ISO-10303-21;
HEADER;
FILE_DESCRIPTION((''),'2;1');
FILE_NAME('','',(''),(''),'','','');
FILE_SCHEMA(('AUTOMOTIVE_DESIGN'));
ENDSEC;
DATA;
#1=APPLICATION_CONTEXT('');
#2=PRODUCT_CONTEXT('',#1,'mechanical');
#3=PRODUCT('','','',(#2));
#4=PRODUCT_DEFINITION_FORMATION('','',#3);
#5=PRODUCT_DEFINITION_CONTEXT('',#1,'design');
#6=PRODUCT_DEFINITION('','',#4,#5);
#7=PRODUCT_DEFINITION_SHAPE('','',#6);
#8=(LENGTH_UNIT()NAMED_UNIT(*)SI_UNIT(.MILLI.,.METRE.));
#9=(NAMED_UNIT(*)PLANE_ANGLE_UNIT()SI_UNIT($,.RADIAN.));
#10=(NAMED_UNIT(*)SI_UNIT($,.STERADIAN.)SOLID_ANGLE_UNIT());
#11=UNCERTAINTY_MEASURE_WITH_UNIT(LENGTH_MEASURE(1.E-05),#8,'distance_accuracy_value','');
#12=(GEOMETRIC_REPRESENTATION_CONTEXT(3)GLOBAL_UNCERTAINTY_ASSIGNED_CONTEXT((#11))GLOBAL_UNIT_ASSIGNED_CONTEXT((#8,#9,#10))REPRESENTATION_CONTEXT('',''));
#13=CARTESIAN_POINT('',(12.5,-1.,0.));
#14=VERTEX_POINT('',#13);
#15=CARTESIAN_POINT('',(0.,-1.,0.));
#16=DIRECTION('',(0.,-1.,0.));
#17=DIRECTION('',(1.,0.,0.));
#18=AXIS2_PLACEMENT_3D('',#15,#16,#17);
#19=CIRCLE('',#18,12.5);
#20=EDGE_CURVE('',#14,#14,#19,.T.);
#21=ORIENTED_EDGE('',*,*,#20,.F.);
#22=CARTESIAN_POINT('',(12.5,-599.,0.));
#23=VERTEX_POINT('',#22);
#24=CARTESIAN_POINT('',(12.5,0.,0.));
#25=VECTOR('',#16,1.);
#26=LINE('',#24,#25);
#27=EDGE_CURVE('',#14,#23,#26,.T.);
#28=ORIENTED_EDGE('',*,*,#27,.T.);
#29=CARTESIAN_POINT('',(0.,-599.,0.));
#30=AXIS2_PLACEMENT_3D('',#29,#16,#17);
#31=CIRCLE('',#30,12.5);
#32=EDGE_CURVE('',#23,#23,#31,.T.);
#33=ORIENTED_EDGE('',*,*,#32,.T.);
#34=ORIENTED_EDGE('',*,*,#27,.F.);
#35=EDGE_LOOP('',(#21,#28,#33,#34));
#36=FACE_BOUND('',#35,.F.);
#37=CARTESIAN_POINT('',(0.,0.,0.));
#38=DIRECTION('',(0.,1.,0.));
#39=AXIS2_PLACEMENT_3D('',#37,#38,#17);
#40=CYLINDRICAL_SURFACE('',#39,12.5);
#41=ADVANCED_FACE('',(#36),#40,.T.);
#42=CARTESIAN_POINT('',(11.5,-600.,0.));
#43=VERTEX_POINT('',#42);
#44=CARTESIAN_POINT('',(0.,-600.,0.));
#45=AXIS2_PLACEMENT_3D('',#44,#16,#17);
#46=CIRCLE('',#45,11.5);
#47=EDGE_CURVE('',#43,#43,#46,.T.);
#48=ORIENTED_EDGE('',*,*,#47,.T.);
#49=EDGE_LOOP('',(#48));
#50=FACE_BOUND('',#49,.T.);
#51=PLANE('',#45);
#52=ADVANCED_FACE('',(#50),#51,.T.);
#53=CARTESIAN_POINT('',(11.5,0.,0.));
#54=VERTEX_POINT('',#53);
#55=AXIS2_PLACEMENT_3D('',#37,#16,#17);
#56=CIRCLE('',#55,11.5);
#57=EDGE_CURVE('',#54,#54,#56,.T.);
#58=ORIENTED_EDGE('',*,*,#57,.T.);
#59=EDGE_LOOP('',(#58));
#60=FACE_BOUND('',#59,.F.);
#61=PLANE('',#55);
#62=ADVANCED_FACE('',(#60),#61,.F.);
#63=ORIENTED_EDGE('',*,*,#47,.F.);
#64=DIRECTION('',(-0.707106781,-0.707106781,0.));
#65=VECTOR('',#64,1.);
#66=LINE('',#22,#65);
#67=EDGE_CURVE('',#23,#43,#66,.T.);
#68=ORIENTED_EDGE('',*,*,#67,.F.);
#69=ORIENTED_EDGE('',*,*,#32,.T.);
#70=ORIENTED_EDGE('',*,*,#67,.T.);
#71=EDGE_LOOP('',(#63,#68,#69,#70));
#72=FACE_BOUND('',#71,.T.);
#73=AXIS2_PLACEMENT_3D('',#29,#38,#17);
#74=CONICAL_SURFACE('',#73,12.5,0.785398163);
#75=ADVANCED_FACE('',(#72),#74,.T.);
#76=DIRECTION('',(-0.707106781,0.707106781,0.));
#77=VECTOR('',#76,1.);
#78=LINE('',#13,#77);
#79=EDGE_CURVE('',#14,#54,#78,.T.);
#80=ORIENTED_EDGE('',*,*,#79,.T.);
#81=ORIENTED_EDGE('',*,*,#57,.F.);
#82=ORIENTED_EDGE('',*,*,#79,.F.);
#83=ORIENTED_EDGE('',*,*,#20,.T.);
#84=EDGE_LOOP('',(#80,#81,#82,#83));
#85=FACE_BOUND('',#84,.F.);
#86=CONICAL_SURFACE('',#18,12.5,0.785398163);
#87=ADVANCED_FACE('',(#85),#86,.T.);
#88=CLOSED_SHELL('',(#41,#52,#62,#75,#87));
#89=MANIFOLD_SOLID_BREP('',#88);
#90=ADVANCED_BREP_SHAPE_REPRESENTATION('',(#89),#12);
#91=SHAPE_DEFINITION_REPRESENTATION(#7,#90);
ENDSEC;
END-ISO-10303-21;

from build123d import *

# Parameters (mm, degrees)
F0_R     = 12.5
F1_DEPTH = 600
F2_SIZE  = 1
F3_SIZE  = 1


with BuildPart() as f1:
    # F0 (on Front) → F1 (new body)
    with BuildSketch(Plane.XZ):
        Circle(F0_R)
    extrude(amount=F1_DEPTH)

    # F2
    f2_edges = [f1.edges().sort_by_distance(p)[0] for p in [
        (-12.5, -600, 0),
    ]]
    chamfer(f2_edges, length=F2_SIZE)

    # F3
    f3_edges = [f1.edges().sort_by_distance(p)[0] for p in [
        (-12.5, 0, 0),
    ]]
    chamfer(f3_edges, length=F3_SIZE)


solid = f1.part
